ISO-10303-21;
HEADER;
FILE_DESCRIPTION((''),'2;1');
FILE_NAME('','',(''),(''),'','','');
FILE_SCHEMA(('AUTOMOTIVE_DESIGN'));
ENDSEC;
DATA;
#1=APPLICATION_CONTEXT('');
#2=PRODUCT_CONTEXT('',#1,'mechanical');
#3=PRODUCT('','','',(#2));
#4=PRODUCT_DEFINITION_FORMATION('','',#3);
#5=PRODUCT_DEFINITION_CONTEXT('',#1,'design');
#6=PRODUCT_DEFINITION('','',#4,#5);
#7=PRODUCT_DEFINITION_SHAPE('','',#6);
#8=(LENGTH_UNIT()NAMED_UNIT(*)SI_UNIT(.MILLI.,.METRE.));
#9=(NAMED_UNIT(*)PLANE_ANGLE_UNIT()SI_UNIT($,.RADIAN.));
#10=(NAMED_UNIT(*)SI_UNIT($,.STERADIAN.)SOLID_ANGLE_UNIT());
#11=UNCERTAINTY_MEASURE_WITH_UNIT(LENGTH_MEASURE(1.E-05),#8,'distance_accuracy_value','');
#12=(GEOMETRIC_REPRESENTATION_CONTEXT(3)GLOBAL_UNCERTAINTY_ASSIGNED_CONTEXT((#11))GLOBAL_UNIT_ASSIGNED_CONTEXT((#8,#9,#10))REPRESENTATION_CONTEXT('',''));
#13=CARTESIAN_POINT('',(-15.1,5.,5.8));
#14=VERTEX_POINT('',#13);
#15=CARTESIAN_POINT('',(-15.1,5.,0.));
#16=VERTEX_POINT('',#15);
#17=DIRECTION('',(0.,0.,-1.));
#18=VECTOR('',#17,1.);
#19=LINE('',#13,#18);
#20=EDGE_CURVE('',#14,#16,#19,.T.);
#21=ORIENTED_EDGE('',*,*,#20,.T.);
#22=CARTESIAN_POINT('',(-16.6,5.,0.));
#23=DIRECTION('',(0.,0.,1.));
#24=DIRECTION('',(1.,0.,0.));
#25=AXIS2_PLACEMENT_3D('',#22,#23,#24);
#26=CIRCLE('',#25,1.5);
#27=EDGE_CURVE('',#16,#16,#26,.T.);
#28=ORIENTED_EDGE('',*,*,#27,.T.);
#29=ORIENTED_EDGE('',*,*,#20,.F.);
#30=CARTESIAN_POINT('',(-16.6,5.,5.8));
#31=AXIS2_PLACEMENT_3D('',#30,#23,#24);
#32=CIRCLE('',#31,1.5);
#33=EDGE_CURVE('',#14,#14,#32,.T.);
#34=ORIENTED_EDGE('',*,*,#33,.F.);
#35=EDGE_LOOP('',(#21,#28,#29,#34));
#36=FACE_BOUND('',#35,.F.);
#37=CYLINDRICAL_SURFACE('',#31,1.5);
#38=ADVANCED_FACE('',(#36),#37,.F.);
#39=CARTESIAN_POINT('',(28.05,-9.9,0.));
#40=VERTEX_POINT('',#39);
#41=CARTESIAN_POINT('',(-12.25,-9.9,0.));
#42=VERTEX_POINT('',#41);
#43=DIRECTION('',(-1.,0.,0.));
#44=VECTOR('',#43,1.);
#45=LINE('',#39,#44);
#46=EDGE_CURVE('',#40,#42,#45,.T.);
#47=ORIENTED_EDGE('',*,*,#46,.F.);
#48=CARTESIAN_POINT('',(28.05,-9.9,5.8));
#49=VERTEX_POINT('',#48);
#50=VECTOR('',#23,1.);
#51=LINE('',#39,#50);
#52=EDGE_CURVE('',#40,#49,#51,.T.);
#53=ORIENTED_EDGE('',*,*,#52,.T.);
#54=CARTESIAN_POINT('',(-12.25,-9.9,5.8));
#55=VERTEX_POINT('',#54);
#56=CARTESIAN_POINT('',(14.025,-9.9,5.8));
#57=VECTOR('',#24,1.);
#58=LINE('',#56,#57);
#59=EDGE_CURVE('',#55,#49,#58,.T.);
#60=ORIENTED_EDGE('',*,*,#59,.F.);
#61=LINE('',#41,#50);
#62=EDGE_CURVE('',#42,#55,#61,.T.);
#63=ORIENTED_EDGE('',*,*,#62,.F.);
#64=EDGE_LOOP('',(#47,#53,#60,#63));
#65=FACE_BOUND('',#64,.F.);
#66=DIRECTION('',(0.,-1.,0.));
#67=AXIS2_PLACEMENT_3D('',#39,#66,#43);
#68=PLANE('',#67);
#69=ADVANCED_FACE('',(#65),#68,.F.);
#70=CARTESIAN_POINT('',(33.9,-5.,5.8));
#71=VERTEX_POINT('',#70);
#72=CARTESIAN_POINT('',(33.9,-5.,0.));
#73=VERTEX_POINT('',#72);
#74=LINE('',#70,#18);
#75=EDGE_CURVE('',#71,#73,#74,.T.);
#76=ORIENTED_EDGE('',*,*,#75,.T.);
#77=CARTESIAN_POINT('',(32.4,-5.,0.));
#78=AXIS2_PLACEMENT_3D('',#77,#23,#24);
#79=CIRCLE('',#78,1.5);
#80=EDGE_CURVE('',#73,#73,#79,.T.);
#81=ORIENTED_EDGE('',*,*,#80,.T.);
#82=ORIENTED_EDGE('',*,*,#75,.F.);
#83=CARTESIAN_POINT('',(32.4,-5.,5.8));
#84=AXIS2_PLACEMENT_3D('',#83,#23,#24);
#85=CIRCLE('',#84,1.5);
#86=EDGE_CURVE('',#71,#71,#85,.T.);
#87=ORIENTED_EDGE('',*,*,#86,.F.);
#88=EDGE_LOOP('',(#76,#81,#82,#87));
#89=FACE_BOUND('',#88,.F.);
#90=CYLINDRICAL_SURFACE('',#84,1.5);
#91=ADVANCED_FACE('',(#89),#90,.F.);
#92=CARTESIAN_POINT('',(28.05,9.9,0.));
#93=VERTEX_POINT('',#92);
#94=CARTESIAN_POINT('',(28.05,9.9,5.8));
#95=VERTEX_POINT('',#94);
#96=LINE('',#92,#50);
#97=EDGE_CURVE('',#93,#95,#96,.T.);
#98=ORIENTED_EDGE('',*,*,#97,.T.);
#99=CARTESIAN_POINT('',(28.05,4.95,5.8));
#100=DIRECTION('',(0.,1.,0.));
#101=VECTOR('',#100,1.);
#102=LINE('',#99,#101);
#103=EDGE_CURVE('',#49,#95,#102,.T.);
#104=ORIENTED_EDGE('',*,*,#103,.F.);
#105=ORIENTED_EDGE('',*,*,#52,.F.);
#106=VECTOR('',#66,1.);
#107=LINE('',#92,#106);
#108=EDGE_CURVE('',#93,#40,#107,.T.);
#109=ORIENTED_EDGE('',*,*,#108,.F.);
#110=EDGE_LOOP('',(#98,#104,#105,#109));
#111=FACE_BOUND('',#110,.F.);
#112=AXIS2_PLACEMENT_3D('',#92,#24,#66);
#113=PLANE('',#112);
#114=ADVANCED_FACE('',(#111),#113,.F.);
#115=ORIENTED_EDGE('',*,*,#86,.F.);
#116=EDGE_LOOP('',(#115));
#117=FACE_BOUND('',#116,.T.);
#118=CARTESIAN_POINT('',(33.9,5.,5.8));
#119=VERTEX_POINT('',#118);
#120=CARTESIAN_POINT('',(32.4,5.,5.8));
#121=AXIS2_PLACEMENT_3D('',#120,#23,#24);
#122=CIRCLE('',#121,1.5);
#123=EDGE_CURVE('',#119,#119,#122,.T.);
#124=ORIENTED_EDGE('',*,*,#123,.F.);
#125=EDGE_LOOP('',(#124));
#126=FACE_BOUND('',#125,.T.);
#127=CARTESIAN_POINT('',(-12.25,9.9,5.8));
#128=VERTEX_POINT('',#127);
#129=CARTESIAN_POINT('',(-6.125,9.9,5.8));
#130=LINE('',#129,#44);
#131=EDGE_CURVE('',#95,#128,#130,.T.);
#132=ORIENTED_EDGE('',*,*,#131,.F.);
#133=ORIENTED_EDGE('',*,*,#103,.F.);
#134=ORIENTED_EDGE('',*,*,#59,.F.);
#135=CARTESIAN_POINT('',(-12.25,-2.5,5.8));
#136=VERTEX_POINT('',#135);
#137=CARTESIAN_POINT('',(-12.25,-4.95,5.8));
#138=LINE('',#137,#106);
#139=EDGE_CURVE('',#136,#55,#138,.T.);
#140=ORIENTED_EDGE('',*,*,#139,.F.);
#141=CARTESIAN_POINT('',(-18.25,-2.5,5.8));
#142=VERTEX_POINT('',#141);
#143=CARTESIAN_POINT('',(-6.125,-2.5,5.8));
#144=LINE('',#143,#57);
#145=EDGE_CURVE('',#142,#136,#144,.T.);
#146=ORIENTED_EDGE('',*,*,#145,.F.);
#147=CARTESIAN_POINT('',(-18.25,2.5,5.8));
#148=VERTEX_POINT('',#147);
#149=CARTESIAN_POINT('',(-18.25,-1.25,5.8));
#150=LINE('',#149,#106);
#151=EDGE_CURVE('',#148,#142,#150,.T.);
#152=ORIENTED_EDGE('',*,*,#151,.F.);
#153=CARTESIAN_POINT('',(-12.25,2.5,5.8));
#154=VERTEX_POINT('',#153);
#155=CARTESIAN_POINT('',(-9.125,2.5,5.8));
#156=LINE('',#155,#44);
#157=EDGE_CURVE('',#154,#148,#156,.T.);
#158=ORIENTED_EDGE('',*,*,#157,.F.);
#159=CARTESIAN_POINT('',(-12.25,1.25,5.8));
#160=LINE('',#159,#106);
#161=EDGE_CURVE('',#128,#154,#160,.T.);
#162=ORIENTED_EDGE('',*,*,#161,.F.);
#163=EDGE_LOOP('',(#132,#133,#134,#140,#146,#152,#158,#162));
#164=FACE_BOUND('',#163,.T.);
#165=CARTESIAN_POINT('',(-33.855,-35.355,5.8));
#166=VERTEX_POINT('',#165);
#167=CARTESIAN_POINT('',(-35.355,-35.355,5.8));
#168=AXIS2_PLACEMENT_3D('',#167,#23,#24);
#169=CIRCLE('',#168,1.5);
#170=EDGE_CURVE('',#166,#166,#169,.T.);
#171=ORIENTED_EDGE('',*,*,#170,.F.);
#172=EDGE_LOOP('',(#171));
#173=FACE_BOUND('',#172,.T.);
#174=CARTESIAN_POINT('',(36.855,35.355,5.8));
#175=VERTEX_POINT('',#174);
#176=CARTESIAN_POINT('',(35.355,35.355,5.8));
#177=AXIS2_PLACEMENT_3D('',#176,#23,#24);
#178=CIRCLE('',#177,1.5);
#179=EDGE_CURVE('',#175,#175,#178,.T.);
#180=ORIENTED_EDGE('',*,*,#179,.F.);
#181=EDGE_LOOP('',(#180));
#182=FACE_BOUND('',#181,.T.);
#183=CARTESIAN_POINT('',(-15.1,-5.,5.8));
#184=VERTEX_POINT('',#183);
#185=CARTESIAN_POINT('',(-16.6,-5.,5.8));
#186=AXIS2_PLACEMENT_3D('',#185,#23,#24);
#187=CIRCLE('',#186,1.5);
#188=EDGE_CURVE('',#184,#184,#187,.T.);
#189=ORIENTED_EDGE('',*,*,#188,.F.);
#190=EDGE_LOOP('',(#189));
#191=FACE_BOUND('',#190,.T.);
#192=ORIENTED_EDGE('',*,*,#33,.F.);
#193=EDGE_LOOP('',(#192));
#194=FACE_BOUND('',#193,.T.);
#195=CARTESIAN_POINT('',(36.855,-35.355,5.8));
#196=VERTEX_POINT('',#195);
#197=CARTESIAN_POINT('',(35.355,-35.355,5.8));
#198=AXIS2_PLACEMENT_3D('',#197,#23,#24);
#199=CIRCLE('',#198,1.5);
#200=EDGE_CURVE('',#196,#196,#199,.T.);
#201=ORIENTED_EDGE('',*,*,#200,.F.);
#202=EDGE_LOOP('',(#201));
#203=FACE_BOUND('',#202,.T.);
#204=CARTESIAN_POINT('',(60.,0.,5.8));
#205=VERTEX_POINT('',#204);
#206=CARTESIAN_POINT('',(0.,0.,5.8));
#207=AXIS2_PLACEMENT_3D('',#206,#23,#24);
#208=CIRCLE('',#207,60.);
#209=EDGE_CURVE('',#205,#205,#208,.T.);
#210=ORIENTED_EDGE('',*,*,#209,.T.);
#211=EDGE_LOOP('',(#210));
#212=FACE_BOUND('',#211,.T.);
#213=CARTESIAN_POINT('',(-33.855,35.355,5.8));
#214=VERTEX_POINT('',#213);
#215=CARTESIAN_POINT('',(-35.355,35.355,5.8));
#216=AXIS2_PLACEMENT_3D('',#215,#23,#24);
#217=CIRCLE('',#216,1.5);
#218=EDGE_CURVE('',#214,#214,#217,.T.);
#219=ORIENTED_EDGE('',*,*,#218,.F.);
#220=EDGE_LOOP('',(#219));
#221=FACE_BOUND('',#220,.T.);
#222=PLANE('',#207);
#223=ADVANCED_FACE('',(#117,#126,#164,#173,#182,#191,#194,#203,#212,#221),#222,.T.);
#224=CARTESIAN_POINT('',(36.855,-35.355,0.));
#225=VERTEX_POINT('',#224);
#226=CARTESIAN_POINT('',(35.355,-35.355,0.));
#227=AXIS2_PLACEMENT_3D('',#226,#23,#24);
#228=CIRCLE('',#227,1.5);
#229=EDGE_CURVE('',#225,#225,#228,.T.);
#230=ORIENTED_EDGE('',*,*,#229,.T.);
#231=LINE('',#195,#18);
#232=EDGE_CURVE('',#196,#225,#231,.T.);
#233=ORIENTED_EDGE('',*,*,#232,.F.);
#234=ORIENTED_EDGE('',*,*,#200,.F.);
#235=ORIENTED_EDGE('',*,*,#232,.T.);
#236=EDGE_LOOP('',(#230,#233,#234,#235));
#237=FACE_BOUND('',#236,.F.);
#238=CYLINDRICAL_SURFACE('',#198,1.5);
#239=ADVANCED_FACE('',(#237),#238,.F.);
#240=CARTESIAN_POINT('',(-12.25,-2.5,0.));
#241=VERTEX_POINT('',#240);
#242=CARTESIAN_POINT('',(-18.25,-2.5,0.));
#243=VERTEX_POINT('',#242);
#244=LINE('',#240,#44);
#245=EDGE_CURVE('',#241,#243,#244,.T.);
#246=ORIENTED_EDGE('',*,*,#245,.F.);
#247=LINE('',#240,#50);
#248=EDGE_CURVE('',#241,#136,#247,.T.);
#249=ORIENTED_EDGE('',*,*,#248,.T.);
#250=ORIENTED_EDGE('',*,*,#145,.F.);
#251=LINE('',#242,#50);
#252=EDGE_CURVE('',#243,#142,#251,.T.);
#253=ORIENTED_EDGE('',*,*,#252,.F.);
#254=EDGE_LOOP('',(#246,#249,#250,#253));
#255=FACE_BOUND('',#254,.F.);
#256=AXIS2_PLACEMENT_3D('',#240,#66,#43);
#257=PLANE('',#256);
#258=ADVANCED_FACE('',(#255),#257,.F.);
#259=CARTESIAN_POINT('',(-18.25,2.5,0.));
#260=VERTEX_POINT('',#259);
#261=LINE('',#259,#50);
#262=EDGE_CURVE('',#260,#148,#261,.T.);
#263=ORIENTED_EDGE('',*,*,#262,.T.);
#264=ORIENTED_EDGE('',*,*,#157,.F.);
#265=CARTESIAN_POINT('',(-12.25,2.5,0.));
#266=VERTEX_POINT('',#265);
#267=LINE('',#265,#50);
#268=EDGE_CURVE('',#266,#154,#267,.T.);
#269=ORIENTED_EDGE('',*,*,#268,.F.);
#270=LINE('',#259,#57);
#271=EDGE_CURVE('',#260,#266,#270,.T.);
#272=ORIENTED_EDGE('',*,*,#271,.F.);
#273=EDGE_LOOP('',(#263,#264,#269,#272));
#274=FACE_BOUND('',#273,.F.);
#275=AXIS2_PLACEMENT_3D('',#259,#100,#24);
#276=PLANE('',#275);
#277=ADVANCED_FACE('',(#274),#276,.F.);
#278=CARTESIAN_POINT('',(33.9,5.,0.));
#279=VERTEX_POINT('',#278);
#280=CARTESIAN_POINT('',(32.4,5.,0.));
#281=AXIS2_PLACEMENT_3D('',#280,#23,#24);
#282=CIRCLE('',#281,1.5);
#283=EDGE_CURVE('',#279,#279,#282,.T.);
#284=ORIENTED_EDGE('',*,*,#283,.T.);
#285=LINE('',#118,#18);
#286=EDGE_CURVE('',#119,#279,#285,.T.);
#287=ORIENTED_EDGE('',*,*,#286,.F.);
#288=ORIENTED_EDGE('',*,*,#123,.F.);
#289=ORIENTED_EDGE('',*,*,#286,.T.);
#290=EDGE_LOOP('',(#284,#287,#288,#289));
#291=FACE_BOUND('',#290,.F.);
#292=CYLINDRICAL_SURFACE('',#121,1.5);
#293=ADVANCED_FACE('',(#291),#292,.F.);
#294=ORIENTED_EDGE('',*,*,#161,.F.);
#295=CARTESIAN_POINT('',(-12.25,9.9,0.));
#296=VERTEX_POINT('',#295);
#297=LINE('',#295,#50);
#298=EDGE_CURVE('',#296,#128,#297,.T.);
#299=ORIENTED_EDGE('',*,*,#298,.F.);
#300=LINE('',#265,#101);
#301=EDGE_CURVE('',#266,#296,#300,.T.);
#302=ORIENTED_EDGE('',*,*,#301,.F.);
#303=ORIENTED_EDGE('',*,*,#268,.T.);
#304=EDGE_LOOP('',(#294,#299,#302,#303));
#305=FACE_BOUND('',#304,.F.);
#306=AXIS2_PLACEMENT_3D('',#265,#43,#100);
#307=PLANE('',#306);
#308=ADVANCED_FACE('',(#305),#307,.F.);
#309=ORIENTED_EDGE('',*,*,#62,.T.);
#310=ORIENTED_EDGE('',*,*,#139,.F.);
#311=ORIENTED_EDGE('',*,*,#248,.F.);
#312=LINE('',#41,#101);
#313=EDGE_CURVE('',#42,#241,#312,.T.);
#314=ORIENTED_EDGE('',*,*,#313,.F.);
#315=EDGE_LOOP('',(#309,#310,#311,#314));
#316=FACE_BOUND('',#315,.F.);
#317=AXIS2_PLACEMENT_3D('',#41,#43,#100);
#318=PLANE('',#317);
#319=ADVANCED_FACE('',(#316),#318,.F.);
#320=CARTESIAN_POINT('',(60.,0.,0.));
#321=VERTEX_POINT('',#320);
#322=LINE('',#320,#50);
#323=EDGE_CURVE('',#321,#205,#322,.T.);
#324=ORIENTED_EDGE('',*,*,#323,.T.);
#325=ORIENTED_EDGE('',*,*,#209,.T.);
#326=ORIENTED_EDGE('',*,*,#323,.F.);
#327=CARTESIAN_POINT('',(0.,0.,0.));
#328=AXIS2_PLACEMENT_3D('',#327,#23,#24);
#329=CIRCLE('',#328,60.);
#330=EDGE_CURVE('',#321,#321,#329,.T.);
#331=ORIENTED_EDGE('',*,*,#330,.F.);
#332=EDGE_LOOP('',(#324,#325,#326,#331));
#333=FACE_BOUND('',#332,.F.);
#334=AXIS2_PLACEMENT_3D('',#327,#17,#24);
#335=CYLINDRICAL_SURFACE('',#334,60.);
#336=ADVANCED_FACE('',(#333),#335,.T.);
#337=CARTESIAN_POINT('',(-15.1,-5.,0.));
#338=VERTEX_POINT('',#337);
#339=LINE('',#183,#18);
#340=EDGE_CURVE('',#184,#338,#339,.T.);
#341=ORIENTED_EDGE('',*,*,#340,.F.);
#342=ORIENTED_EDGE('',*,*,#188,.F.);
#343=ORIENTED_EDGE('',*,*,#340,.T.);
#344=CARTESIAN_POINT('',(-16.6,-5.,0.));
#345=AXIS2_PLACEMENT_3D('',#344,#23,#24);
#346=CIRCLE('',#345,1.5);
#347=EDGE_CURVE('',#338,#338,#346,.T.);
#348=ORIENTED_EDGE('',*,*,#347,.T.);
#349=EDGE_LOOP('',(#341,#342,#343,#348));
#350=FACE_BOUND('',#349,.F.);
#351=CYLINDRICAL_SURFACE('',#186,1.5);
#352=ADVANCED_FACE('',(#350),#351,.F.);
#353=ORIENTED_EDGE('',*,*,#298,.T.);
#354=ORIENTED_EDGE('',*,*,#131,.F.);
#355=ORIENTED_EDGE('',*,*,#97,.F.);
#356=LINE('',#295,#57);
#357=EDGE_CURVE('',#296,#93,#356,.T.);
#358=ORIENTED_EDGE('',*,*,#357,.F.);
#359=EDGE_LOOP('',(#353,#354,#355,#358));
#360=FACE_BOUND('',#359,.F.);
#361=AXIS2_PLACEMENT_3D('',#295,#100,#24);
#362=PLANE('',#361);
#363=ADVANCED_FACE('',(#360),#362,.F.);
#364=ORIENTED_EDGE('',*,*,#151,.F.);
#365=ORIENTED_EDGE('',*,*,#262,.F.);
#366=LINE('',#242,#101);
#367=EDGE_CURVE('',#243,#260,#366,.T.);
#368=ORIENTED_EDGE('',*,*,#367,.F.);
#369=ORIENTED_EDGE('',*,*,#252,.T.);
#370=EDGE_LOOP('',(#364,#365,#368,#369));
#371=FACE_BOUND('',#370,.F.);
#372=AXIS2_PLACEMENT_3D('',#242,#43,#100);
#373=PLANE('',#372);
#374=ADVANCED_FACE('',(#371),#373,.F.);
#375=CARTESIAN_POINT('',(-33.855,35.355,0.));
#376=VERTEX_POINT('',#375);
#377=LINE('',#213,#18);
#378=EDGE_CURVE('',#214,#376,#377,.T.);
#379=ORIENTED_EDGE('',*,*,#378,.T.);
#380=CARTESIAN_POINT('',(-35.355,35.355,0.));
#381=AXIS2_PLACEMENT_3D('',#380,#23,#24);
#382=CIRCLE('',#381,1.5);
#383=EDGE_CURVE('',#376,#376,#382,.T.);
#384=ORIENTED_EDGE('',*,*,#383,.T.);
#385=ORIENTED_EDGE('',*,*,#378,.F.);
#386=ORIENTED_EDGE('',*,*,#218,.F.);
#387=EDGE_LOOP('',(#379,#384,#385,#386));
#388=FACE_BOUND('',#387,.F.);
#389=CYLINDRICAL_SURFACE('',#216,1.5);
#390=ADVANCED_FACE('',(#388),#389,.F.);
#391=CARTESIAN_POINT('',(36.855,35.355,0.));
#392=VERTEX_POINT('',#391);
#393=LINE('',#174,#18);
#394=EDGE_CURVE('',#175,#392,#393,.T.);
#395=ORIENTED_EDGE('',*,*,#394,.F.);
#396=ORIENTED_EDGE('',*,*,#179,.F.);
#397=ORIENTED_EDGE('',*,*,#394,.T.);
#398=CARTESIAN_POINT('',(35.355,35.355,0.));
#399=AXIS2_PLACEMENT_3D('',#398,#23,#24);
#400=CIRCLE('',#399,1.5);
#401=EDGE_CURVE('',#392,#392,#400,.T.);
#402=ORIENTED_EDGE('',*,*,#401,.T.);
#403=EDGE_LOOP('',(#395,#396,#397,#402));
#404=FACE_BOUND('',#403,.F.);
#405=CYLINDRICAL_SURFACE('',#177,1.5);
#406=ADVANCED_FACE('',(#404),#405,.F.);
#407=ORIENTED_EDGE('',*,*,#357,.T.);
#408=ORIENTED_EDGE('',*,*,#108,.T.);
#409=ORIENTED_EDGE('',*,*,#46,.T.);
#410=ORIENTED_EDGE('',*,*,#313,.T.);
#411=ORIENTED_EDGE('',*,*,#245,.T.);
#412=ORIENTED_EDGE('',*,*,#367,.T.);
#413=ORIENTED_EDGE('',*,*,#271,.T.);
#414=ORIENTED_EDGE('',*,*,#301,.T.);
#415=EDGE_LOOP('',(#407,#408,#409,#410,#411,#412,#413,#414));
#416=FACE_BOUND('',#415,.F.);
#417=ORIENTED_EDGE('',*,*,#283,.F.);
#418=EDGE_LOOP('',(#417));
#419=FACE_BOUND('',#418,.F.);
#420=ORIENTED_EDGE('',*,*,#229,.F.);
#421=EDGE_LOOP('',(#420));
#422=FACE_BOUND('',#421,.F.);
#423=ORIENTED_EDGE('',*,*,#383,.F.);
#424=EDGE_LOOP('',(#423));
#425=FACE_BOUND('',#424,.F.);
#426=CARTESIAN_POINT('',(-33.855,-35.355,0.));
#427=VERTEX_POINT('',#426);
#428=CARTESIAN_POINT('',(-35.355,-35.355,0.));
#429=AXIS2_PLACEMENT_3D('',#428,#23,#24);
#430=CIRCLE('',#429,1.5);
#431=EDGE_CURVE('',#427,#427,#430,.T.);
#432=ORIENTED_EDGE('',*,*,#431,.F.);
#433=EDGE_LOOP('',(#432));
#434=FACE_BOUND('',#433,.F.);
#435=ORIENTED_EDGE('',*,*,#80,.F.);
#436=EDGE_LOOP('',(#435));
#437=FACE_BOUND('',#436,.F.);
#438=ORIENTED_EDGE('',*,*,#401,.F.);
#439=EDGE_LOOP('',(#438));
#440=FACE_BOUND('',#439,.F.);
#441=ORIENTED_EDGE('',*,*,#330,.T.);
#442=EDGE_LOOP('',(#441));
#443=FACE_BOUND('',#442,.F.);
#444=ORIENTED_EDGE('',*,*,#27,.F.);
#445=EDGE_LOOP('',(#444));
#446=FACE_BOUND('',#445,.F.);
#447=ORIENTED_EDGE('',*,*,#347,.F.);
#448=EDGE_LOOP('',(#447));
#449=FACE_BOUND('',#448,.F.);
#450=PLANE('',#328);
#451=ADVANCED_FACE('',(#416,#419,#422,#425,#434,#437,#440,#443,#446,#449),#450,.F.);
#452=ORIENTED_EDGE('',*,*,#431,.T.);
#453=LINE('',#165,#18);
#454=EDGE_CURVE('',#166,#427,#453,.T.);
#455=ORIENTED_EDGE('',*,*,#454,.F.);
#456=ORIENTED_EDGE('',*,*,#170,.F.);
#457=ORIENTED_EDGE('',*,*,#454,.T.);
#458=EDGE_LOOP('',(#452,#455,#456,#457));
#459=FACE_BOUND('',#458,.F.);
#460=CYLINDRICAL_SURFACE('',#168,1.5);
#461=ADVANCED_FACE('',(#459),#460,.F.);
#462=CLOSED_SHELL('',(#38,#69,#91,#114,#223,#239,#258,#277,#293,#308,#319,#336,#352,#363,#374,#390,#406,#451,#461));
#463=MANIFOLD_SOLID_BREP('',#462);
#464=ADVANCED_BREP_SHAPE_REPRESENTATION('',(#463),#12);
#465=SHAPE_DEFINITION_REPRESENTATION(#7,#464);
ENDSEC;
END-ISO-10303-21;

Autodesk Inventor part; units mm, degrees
ref_plane "YZ Plane" through (0, 0, 0) normal (1, 0, 0) x (0, 1, 0)
ref_plane "XZ Plane" through (0, 0, 0) normal (0, 1, 0) x (-1, 0, 0)
ref_plane "XY Plane" through (0, 0, 0) normal (0, 0, 1) x (1, 0, 0)
sketch "Sketch1" plane through (0, 0, 0) normal (0, 0, 1) x (1, 0, 0)
  circle A0 centre (0, 0) radius 60
  dimension "d0" = 120
extrude "Extrusion1" add sketch "Sketch1" along normal blind 5.8
sketch "Sketch2" plane through (0, 0, 5.8) normal (0, 0, 1) x (1, 0, 0)
  circle A0 centre (0, 0) radius 60 projected
  circle A1 centre (0, 0) radius 6.4031
extrude "Extrusion2" cut sketch "Sketch2" against normal through all contours A1
sketch "Sketch3" plane through (0, 0, 0) normal (0, 0, -1) x (-1, 0, 0)
  circle A0 centre (0, 0) radius 6.4031 projected
  circle A1 centre (0, 0) radius 3
  line L0 (12.25, 9.9) -> (-28.05, 9.9)
  line L1 (-28.05, -9.9) -> (12.25, -9.9)
  line L2 (-28.05, 9.9) -> (-28.05, -9.9)
  line L3 (18.25, 2.5) -> (12.25, 2.5)
  line L4 (18.25, -2.5) -> (18.25, 2.5)
  line L5 (12.25, -2.5) -> (18.25, -2.5)
  line L6 (12.25, 2.5) -> (12.25, 9.9)
  line L7 (12.25, -9.9) -> (12.25, -2.5)
extrude "Extrusion3" cut sketch "Sketch3" against normal through all contours L6 L3 L4 L5 L7 L1 L2 L0
sketch "Sketch4" plane through (0, 0, 5.8) normal (0, 0, 1) x (1, 0, 0)
  circle A0 centre (-16.6, 5) radius 2.5
  circle A1 centre (-16.6, -5) radius 2.5
  circle A2 centre (32.4, -5) radius 2.5
  circle A3 centre (32.4, 5) radius 2.5
  circle A4 centre (-16.6, 5) radius 1.5
  circle A5 centre (-16.6, -5) radius 1.5
  circle A6 centre (32.4, 5) radius 1.5
  circle A7 centre (32.4, -5) radius 1.5
  dimension "d7" = 3
  dimension "d8" = 3
  dimension "d9" = 3
  dimension "d10" = 3
extrude "Extrusion4" cut sketch "Sketch4" against normal through all contours A4 | A5 | A6 | A7
sketch "Sketch5" plane through (0, 0, 5.8) normal (0, 0, 1) x (1, 0, 0)
  circle A0 centre (0, 0) radius 60 projected
  circle A1 centre (-35.355, 35.355) radius 1.5
  line L0 (0, -84) -> (0, 84) projected
  line L1 (-84, 0) -> (84, 0) projected
  circle A2 centre (-35.355, -35.355) radius 1.5
  circle A3 centre (35.355, -35.355) radius 1.5
  circle A4 centre (35.355, 35.355) radius 1.5
  dimension "d13" = 3
  dimension "d15" = 35.355
  dimension "d17" = 35.355
  dimension "d20" = 360
extrude "Extrusion5" cut sketch "Sketch5" against normal through all contours A1 | A2 | A3 | A4
sketch "Sketch6" plane through (0, 0, 0) normal (0, 0, -1) x (-1, 0, 0)
  circle A0 centre (-35.355, 35.355) radius 1.5 projected
  circle A1 centre (-35.355, -35.355) radius 1.5 projected
  circle A2 centre (35.355, -35.355) radius 1.5 projected
  circle A3 centre (35.355, 35.355) radius 1.5 projected
  circle A4 centre (-32.4, 5) radius 1.5 projected
  circle A5 centre (16.6, -5) radius 1.5 projected
  circle A6 centre (16.6, 5) radius 1.5 projected
  circle A7 centre (-32.4, -5) radius 1.5 projected
  line L0 (-28.05, -9.9) -> (-28.05, 9.9) projected
  line L1 (-28.05, 9.9) -> (12.25, 9.9) projected
  line L2 (12.25, 9.9) -> (12.25, 2.5) projected
  line L3 (12.25, 2.5) -> (18.25, 2.5) projected
  line L4 (18.25, 2.5) -> (18.25, -2.5) projected
  line L5 (18.25, -2.5) -> (12.25, -2.5) projected
  line L6 (12.25, -2.5) -> (12.25, -9.9) projected
  line L7 (12.25, -9.9) -> (-28.05, -9.9) projected
  circle A8 centre (0, 0) radius 60 projected
  circle A9 centre (35.355, 35.355) radius 1.385
  circle A10 centre (-35.355, 35.355) radius 1.5 projected
  circle A11 centre (-35.355, -35.355) radius 1.5 projected
  circle A12 centre (35.355, -35.355) radius 1.5 projected
  circle A13 centre (35.355, 35.355) radius 1.5 projected
  circle A14 centre (-32.4, 5) radius 1.5 projected
  circle A15 centre (16.6, -5) radius 1.5 projected
  circle A16 centre (16.6, 5) radius 1.5 projected
  circle A17 centre (-32.4, -5) radius 1.5 projected
  line L8 (-28.05, -9.9) -> (-28.05, 9.9) projected
  line L9 (-28.05, 9.9) -> (12.25, 9.9) projected
  line L10 (12.25, 9.9) -> (12.25, 2.5) projected
  line L11 (12.25, 2.5) -> (18.25, 2.5) projected
  line L12 (18.25, 2.5) -> (18.25, -2.5) projected
  line L13 (18.25, -2.5) -> (12.25, -2.5) projected
  line L14 (12.25, -2.5) -> (12.25, -9.9) projected
  line L15 (12.25, -9.9) -> (-28.05, -9.9) projected
  circle A18 centre (0, 0) radius 60 projected
  line L16 (-28.05, 9.9) -> (-28.05, -9.9) projected
  line L17 (-28.05, -9.9) -> (-28.05, 9.9) projected
  line L18 (12.25, 9.9) -> (-28.05, 9.9) projected
  line L19 (-28.05, 9.9) -> (12.25, 9.9) projected
  circle A19 centre (-32.4, -5) radius 1.5 projected
  circle A20 centre (-32.4, -5) radius 1.5 projected
  circle A21 centre (35.355, -35.355) radius 1.385
  circle A22 centre (-35.355, 35.355) radius 1.385
  circle A23 centre (-35.355, -35.355) radius 1.385
equation "\"d17\" = d15"
properties part number "Acrylic_rotationServoMount"
